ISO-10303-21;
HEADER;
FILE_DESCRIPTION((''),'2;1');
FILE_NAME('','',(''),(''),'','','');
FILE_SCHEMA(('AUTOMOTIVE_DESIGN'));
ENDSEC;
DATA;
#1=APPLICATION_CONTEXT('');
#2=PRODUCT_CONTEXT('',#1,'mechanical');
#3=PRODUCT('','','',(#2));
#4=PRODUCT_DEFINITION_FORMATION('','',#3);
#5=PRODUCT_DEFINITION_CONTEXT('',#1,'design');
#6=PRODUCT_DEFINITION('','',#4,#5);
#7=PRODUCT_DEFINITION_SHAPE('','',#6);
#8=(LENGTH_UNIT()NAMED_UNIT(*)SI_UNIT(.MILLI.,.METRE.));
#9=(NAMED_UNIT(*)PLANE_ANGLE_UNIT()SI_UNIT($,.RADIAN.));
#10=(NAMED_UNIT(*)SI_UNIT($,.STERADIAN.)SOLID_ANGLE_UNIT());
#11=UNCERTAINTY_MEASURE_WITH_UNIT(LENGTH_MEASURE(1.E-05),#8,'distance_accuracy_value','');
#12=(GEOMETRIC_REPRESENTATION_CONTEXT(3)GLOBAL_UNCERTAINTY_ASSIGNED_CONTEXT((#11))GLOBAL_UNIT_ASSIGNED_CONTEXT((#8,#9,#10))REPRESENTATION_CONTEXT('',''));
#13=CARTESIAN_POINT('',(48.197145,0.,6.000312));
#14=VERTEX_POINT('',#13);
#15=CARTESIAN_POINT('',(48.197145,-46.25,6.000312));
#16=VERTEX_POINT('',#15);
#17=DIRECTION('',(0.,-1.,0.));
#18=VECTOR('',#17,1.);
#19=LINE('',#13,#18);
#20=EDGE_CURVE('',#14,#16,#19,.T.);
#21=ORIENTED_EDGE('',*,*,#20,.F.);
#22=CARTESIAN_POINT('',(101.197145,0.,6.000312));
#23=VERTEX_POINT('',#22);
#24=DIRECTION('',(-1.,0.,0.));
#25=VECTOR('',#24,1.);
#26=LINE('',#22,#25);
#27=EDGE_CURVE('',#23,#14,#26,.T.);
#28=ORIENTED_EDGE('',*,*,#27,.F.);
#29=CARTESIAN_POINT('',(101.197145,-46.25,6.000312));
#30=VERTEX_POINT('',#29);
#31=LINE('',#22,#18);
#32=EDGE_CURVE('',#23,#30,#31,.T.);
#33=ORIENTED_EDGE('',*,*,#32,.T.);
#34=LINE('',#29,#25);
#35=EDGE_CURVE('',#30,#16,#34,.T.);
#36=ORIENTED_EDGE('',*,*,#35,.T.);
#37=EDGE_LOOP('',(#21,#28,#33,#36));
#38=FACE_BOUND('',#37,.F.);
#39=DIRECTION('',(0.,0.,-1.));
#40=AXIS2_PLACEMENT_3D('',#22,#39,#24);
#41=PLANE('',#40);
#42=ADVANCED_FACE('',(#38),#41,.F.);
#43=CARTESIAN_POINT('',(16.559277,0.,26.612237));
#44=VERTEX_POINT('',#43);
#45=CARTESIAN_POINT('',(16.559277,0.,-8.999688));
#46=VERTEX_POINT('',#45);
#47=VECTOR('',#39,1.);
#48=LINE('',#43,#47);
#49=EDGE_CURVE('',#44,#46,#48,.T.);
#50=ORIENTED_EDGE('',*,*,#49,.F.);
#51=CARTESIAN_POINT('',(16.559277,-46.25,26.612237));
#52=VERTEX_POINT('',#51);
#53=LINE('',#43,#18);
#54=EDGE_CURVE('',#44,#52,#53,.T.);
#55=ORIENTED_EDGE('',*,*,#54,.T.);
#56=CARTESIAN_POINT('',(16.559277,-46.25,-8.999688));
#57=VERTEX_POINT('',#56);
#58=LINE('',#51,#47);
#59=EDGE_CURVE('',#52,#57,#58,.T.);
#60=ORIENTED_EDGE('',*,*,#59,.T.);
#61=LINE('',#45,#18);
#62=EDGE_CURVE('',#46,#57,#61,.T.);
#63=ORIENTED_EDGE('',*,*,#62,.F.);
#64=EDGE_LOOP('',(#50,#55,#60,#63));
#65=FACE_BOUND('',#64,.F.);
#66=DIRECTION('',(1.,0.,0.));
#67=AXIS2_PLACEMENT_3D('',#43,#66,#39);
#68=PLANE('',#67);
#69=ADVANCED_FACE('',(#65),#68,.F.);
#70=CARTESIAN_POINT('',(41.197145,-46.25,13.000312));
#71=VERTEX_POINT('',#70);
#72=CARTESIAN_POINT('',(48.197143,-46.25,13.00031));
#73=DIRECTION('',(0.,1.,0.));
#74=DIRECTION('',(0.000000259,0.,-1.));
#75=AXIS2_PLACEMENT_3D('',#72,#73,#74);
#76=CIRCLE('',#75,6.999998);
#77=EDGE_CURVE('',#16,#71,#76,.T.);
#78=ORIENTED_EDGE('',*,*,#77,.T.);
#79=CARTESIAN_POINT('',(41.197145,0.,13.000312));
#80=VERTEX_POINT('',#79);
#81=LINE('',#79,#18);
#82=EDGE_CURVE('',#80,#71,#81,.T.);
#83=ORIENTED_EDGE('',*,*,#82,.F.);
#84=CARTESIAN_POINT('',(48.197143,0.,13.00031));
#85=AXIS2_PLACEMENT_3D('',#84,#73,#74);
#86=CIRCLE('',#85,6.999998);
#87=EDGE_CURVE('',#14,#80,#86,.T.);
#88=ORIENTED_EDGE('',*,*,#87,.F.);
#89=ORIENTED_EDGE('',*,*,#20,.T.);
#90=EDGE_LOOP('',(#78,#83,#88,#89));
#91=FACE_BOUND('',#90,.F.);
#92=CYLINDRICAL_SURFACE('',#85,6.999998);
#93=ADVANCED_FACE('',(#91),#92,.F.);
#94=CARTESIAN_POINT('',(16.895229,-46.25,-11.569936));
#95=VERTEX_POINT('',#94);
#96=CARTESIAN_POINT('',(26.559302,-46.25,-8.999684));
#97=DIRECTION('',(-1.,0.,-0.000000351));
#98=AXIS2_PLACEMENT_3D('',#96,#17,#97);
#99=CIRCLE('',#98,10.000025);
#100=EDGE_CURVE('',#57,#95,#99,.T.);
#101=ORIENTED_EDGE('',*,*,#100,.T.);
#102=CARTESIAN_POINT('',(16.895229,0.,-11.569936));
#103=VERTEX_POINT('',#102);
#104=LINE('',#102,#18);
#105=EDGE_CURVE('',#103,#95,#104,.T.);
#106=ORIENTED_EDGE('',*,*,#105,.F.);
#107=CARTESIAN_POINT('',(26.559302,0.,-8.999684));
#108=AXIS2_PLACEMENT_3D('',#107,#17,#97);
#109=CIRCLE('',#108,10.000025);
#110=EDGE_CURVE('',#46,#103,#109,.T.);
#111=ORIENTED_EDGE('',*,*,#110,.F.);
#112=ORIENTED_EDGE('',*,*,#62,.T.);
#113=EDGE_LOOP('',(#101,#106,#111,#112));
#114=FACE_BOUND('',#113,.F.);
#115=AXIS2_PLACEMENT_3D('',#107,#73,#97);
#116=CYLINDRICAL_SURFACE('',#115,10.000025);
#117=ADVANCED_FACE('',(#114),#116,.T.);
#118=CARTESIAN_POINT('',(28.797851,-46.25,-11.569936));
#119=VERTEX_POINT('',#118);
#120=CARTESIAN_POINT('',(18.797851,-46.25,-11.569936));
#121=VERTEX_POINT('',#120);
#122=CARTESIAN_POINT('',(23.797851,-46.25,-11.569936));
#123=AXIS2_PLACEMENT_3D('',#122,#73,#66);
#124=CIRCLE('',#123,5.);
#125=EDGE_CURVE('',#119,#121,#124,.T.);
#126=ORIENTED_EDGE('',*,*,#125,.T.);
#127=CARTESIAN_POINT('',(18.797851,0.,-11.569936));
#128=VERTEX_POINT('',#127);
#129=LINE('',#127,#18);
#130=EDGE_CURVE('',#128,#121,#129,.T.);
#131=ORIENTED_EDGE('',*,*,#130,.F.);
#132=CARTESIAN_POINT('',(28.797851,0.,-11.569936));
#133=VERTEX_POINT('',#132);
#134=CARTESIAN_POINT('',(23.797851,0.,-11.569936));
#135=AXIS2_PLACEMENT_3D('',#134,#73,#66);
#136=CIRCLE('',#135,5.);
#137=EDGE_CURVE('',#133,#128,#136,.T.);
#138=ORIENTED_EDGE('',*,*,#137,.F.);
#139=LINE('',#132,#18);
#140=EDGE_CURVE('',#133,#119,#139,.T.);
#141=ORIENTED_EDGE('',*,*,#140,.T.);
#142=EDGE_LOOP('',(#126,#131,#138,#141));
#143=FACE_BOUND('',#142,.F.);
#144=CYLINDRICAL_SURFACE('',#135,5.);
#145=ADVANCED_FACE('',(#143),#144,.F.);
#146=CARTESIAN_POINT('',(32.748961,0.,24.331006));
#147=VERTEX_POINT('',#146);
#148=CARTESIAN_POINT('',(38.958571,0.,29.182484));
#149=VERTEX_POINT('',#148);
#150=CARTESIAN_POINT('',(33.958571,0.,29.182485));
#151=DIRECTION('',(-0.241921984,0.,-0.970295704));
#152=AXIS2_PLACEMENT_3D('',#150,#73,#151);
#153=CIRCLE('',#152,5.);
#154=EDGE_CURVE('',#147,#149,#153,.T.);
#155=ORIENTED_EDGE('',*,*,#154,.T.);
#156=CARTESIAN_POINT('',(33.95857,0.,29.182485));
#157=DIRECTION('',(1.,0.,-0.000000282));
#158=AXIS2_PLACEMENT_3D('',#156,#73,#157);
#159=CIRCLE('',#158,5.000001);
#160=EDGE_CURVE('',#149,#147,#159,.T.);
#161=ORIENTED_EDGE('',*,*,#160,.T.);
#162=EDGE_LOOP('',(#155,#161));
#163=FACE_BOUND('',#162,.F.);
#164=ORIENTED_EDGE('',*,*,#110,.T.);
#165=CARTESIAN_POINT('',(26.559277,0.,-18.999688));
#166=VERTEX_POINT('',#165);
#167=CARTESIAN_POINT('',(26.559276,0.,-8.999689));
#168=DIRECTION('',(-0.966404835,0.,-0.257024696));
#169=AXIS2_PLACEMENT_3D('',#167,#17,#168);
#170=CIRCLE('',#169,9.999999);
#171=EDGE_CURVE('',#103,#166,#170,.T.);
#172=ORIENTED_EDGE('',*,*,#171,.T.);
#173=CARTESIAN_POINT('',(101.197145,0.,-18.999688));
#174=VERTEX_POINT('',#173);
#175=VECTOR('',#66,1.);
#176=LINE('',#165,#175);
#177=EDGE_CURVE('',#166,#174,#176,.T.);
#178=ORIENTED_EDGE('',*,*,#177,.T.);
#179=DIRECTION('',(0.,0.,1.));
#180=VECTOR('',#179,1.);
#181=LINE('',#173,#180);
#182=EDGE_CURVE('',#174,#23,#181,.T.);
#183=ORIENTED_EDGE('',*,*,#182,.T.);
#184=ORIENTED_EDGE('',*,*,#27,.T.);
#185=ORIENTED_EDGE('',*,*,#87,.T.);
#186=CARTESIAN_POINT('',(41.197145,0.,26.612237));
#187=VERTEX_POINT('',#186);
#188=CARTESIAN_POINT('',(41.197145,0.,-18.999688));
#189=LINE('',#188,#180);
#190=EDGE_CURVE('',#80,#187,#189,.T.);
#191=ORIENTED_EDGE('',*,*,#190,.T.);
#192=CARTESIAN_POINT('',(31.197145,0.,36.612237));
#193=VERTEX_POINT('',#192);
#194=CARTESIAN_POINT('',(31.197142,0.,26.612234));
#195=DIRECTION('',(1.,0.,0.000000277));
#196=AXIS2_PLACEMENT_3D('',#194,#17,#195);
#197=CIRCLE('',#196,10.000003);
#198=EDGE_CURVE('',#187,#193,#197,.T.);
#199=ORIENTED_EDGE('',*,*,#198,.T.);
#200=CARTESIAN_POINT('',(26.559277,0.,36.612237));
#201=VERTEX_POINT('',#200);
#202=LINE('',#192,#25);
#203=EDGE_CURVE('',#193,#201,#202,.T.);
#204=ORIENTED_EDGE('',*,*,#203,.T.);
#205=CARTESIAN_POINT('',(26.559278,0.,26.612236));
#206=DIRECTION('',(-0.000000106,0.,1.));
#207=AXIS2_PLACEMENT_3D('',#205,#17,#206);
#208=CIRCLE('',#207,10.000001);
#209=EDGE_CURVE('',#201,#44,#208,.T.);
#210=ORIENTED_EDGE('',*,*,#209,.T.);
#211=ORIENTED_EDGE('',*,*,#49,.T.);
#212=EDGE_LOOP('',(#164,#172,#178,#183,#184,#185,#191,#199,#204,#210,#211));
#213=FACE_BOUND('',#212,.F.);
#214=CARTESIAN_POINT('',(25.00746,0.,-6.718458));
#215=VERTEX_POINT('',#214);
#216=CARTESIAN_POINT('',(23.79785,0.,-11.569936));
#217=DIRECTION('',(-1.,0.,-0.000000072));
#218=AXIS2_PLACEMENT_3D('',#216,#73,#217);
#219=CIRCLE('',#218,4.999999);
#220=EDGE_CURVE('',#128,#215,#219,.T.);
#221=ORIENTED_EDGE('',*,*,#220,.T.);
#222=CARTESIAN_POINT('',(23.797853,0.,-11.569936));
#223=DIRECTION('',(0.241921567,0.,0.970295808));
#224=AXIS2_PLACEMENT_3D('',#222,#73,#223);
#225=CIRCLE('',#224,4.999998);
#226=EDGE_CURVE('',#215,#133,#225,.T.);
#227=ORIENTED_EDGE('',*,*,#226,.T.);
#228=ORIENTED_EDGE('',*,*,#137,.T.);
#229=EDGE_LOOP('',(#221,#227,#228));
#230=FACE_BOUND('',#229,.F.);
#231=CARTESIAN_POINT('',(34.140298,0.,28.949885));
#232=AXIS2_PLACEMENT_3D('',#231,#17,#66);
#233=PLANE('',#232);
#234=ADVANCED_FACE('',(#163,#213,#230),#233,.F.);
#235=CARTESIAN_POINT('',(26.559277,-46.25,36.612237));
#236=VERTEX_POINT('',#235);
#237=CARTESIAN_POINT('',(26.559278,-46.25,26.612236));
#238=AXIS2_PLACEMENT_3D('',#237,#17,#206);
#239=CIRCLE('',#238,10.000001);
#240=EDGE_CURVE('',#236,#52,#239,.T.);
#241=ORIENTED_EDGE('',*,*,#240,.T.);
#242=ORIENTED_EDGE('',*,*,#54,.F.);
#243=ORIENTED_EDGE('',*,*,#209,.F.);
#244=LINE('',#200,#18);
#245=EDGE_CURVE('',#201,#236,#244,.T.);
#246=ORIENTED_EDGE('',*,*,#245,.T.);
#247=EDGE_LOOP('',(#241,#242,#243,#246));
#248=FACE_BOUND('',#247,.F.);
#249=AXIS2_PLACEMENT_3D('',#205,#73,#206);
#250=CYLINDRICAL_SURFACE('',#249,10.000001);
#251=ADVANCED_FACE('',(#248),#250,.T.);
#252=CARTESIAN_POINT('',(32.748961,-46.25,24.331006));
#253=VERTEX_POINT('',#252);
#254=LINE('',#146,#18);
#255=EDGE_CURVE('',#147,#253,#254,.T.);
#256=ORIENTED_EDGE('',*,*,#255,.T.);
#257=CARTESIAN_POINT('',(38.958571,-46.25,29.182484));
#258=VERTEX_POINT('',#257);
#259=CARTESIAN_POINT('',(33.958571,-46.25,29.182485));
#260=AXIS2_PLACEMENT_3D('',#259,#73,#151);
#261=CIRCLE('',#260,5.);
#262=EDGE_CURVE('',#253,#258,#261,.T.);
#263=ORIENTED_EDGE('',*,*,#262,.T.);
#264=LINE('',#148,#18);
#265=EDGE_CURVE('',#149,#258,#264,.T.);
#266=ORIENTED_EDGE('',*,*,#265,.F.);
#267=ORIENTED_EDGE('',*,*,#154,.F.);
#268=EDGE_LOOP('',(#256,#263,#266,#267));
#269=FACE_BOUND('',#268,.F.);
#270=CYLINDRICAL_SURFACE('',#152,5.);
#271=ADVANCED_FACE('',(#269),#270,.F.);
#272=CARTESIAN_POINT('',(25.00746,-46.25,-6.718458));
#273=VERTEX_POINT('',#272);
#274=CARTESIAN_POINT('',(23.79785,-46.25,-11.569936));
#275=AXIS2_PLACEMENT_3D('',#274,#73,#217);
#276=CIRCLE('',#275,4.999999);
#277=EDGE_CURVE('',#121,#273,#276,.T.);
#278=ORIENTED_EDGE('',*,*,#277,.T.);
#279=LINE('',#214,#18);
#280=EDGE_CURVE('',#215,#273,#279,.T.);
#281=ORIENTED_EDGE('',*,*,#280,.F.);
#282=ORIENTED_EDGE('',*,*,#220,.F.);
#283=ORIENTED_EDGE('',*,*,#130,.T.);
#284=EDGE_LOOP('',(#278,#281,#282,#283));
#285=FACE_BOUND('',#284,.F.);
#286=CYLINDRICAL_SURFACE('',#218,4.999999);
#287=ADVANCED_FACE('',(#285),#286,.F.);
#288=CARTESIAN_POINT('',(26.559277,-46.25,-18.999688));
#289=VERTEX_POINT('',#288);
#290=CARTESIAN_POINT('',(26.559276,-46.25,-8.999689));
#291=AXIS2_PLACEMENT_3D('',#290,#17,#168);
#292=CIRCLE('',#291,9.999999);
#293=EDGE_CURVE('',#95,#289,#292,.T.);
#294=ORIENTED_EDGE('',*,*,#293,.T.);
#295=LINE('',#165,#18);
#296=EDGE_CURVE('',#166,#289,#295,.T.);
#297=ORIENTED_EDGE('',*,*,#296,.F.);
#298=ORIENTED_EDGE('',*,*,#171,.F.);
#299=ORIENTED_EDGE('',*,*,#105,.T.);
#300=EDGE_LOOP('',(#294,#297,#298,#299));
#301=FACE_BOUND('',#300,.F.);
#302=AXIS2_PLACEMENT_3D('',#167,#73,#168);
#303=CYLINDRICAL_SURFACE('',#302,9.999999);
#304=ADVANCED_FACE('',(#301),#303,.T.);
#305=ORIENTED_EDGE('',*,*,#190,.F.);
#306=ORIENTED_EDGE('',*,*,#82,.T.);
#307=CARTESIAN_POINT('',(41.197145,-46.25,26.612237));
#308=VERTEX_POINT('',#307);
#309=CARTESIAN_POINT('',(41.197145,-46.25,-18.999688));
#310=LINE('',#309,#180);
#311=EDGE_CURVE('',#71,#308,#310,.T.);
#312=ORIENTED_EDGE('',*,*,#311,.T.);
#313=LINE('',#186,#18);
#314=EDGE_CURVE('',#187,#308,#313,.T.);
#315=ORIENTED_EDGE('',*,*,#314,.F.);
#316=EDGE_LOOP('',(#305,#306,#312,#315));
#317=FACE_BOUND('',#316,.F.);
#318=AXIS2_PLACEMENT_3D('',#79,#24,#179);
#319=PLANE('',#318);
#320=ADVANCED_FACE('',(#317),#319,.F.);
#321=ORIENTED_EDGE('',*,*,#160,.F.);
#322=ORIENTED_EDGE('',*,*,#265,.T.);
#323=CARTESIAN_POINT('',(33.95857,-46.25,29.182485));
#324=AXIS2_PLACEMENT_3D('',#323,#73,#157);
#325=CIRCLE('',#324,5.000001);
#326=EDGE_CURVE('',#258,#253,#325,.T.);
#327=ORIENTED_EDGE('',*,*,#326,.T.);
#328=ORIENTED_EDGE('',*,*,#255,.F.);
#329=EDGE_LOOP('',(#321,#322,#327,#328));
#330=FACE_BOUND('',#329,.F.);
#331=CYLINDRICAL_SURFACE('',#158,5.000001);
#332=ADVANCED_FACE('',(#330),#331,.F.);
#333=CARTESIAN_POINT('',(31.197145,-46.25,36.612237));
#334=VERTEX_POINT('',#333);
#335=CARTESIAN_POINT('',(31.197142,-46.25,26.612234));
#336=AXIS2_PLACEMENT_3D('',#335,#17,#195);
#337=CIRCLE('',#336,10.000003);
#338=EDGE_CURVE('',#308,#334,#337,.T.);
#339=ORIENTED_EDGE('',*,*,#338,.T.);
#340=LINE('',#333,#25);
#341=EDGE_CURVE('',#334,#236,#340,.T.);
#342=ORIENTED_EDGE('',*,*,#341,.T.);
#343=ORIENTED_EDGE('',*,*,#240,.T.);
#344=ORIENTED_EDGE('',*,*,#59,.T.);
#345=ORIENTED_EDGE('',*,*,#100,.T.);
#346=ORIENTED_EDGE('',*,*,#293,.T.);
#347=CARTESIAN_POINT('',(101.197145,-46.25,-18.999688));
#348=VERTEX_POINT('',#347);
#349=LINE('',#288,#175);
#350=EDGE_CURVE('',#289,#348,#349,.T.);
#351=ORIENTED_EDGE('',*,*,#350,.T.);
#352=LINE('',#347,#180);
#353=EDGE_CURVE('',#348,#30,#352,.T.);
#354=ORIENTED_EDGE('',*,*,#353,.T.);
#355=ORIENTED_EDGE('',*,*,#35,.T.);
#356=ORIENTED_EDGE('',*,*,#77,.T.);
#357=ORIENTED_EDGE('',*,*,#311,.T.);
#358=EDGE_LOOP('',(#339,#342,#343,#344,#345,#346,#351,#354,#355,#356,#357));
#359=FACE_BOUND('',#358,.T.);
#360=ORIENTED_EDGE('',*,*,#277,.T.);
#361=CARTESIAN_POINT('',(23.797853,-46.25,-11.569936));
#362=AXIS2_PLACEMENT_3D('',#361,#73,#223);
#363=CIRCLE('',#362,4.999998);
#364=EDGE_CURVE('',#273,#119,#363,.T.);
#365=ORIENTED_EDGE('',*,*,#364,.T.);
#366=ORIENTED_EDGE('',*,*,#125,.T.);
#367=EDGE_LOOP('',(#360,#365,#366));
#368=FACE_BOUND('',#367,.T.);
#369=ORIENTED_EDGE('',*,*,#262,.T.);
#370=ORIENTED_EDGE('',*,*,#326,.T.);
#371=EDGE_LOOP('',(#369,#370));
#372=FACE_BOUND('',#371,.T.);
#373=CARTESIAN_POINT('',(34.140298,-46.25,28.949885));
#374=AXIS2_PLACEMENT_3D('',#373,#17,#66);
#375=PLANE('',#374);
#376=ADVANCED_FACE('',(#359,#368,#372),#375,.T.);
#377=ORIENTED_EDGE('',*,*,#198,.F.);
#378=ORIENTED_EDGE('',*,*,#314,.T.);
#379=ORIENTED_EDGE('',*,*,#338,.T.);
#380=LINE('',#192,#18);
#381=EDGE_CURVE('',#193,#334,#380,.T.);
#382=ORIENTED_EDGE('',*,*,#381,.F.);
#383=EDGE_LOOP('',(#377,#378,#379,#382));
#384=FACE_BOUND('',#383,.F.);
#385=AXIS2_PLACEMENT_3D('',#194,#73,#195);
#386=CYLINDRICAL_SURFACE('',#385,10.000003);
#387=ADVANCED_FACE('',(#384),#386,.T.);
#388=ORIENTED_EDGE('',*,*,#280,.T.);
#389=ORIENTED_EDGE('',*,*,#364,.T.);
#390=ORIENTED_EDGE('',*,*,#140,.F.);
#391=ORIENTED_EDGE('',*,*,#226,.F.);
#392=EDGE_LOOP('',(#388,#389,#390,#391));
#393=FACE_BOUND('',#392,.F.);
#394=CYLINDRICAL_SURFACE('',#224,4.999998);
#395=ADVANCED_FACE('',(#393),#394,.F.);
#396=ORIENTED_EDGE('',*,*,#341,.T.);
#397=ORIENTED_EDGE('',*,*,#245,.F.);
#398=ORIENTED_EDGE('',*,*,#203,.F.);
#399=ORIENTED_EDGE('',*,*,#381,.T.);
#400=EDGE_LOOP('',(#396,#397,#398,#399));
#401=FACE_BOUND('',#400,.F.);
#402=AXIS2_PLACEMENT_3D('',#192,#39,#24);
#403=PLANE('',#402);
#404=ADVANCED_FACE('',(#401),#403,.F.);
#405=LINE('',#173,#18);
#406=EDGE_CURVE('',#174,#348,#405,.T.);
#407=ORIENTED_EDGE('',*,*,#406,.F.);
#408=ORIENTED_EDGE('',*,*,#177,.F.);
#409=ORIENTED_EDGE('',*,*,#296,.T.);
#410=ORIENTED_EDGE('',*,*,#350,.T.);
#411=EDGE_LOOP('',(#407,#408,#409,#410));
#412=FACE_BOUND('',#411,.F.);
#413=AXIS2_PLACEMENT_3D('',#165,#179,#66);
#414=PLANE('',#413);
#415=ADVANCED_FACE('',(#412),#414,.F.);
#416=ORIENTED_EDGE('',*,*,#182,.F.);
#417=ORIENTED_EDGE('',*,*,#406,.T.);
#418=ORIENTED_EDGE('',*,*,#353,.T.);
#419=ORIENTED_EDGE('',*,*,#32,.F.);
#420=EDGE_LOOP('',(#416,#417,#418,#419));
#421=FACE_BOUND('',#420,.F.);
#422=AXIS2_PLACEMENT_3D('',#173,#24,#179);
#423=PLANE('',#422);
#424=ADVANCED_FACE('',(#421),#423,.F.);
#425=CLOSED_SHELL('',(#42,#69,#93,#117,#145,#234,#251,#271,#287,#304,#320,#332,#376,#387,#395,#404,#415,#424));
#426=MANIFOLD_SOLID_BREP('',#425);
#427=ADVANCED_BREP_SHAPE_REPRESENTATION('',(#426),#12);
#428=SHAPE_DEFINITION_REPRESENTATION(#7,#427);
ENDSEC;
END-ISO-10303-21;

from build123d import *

# Parameters (mm, degrees)
F1_DEPTH = 46.25


with BuildPart() as f1:
    # F0 (on Front) → F1 (new body)
    with BuildSketch(Plane.XZ):
        with BuildLine():
            ThreePointArc((38.958571, 29.182484), (30.880263, 33.122538), (32.748961, 24.331006))
            ThreePointArc((32.748961, 24.331006), (37.036878, 25.242431), (38.958571, 29.182484))
        make_face()
        with BuildLine():
            ThreePointArc((16.559277, -8.999688), (16.643621, -10.295744), (16.895229, -11.569936))
            ThreePointArc((16.895229, -11.569936), (20.464299, -16.927566), (26.559277, -18.999688))
            Line((26.559277, -18.999688), (41.197145, -18.999688))
            Line((41.197145, -18.999688), (41.197145, 6.000312))
            Line((41.197145, 6.000312), (41.197145, 13.000312))
            Line((41.197145, 13.000312), (41.197145, 26.612237))
            ThreePointArc((41.197145, 26.612237), (38.268212, 33.683304), (31.197145, 36.612237))
            Line((31.197145, 36.612237), (26.559277, 36.612237))
            ThreePointArc((26.559277, 36.612237), (19.488209, 33.683304), (16.559277, 26.612237))
            Line((16.559277, 26.612237), (16.559277, -8.999688))
        make_face()
        with BuildLine():
            ThreePointArc((28.797851, -11.569936), (23.797851, -16.569936), (18.797851, -11.569936))
            ThreePointArc((18.797851, -11.569936), (20.719544, -7.629882), (25.00746, -6.718458))
            ThreePointArc((25.00746, -6.718458), (27.737905, -8.491629), (28.797851, -11.569936))
        make_face(mode=Mode.SUBTRACT)
        with BuildLine():
            ThreePointArc((38.958571, 29.182484), (37.036878, 25.242431), (32.748961, 24.331006))
            ThreePointArc((32.748961, 24.331006), (30.880263, 33.122538), (38.958571, 29.182484))
        make_face(mode=Mode.SUBTRACT)
        Polygon((41.197145, 6.000312), (41.197145, -18.999688), (101.197145, -18.999688), (101.197145, 6.000312), (48.197145, 6.000312), align=None)
        with BuildLine():
            Line((41.197145, 13.000312), (41.197145, 6.000312))
            Line((41.197145, 6.000312), (48.197145, 6.000312))
            ThreePointArc((48.197145, 6.000312), (43.247397, 8.050564), (41.197145, 13.000312))
        make_face()
    extrude(amount=F1_DEPTH)


solid = f1.part
